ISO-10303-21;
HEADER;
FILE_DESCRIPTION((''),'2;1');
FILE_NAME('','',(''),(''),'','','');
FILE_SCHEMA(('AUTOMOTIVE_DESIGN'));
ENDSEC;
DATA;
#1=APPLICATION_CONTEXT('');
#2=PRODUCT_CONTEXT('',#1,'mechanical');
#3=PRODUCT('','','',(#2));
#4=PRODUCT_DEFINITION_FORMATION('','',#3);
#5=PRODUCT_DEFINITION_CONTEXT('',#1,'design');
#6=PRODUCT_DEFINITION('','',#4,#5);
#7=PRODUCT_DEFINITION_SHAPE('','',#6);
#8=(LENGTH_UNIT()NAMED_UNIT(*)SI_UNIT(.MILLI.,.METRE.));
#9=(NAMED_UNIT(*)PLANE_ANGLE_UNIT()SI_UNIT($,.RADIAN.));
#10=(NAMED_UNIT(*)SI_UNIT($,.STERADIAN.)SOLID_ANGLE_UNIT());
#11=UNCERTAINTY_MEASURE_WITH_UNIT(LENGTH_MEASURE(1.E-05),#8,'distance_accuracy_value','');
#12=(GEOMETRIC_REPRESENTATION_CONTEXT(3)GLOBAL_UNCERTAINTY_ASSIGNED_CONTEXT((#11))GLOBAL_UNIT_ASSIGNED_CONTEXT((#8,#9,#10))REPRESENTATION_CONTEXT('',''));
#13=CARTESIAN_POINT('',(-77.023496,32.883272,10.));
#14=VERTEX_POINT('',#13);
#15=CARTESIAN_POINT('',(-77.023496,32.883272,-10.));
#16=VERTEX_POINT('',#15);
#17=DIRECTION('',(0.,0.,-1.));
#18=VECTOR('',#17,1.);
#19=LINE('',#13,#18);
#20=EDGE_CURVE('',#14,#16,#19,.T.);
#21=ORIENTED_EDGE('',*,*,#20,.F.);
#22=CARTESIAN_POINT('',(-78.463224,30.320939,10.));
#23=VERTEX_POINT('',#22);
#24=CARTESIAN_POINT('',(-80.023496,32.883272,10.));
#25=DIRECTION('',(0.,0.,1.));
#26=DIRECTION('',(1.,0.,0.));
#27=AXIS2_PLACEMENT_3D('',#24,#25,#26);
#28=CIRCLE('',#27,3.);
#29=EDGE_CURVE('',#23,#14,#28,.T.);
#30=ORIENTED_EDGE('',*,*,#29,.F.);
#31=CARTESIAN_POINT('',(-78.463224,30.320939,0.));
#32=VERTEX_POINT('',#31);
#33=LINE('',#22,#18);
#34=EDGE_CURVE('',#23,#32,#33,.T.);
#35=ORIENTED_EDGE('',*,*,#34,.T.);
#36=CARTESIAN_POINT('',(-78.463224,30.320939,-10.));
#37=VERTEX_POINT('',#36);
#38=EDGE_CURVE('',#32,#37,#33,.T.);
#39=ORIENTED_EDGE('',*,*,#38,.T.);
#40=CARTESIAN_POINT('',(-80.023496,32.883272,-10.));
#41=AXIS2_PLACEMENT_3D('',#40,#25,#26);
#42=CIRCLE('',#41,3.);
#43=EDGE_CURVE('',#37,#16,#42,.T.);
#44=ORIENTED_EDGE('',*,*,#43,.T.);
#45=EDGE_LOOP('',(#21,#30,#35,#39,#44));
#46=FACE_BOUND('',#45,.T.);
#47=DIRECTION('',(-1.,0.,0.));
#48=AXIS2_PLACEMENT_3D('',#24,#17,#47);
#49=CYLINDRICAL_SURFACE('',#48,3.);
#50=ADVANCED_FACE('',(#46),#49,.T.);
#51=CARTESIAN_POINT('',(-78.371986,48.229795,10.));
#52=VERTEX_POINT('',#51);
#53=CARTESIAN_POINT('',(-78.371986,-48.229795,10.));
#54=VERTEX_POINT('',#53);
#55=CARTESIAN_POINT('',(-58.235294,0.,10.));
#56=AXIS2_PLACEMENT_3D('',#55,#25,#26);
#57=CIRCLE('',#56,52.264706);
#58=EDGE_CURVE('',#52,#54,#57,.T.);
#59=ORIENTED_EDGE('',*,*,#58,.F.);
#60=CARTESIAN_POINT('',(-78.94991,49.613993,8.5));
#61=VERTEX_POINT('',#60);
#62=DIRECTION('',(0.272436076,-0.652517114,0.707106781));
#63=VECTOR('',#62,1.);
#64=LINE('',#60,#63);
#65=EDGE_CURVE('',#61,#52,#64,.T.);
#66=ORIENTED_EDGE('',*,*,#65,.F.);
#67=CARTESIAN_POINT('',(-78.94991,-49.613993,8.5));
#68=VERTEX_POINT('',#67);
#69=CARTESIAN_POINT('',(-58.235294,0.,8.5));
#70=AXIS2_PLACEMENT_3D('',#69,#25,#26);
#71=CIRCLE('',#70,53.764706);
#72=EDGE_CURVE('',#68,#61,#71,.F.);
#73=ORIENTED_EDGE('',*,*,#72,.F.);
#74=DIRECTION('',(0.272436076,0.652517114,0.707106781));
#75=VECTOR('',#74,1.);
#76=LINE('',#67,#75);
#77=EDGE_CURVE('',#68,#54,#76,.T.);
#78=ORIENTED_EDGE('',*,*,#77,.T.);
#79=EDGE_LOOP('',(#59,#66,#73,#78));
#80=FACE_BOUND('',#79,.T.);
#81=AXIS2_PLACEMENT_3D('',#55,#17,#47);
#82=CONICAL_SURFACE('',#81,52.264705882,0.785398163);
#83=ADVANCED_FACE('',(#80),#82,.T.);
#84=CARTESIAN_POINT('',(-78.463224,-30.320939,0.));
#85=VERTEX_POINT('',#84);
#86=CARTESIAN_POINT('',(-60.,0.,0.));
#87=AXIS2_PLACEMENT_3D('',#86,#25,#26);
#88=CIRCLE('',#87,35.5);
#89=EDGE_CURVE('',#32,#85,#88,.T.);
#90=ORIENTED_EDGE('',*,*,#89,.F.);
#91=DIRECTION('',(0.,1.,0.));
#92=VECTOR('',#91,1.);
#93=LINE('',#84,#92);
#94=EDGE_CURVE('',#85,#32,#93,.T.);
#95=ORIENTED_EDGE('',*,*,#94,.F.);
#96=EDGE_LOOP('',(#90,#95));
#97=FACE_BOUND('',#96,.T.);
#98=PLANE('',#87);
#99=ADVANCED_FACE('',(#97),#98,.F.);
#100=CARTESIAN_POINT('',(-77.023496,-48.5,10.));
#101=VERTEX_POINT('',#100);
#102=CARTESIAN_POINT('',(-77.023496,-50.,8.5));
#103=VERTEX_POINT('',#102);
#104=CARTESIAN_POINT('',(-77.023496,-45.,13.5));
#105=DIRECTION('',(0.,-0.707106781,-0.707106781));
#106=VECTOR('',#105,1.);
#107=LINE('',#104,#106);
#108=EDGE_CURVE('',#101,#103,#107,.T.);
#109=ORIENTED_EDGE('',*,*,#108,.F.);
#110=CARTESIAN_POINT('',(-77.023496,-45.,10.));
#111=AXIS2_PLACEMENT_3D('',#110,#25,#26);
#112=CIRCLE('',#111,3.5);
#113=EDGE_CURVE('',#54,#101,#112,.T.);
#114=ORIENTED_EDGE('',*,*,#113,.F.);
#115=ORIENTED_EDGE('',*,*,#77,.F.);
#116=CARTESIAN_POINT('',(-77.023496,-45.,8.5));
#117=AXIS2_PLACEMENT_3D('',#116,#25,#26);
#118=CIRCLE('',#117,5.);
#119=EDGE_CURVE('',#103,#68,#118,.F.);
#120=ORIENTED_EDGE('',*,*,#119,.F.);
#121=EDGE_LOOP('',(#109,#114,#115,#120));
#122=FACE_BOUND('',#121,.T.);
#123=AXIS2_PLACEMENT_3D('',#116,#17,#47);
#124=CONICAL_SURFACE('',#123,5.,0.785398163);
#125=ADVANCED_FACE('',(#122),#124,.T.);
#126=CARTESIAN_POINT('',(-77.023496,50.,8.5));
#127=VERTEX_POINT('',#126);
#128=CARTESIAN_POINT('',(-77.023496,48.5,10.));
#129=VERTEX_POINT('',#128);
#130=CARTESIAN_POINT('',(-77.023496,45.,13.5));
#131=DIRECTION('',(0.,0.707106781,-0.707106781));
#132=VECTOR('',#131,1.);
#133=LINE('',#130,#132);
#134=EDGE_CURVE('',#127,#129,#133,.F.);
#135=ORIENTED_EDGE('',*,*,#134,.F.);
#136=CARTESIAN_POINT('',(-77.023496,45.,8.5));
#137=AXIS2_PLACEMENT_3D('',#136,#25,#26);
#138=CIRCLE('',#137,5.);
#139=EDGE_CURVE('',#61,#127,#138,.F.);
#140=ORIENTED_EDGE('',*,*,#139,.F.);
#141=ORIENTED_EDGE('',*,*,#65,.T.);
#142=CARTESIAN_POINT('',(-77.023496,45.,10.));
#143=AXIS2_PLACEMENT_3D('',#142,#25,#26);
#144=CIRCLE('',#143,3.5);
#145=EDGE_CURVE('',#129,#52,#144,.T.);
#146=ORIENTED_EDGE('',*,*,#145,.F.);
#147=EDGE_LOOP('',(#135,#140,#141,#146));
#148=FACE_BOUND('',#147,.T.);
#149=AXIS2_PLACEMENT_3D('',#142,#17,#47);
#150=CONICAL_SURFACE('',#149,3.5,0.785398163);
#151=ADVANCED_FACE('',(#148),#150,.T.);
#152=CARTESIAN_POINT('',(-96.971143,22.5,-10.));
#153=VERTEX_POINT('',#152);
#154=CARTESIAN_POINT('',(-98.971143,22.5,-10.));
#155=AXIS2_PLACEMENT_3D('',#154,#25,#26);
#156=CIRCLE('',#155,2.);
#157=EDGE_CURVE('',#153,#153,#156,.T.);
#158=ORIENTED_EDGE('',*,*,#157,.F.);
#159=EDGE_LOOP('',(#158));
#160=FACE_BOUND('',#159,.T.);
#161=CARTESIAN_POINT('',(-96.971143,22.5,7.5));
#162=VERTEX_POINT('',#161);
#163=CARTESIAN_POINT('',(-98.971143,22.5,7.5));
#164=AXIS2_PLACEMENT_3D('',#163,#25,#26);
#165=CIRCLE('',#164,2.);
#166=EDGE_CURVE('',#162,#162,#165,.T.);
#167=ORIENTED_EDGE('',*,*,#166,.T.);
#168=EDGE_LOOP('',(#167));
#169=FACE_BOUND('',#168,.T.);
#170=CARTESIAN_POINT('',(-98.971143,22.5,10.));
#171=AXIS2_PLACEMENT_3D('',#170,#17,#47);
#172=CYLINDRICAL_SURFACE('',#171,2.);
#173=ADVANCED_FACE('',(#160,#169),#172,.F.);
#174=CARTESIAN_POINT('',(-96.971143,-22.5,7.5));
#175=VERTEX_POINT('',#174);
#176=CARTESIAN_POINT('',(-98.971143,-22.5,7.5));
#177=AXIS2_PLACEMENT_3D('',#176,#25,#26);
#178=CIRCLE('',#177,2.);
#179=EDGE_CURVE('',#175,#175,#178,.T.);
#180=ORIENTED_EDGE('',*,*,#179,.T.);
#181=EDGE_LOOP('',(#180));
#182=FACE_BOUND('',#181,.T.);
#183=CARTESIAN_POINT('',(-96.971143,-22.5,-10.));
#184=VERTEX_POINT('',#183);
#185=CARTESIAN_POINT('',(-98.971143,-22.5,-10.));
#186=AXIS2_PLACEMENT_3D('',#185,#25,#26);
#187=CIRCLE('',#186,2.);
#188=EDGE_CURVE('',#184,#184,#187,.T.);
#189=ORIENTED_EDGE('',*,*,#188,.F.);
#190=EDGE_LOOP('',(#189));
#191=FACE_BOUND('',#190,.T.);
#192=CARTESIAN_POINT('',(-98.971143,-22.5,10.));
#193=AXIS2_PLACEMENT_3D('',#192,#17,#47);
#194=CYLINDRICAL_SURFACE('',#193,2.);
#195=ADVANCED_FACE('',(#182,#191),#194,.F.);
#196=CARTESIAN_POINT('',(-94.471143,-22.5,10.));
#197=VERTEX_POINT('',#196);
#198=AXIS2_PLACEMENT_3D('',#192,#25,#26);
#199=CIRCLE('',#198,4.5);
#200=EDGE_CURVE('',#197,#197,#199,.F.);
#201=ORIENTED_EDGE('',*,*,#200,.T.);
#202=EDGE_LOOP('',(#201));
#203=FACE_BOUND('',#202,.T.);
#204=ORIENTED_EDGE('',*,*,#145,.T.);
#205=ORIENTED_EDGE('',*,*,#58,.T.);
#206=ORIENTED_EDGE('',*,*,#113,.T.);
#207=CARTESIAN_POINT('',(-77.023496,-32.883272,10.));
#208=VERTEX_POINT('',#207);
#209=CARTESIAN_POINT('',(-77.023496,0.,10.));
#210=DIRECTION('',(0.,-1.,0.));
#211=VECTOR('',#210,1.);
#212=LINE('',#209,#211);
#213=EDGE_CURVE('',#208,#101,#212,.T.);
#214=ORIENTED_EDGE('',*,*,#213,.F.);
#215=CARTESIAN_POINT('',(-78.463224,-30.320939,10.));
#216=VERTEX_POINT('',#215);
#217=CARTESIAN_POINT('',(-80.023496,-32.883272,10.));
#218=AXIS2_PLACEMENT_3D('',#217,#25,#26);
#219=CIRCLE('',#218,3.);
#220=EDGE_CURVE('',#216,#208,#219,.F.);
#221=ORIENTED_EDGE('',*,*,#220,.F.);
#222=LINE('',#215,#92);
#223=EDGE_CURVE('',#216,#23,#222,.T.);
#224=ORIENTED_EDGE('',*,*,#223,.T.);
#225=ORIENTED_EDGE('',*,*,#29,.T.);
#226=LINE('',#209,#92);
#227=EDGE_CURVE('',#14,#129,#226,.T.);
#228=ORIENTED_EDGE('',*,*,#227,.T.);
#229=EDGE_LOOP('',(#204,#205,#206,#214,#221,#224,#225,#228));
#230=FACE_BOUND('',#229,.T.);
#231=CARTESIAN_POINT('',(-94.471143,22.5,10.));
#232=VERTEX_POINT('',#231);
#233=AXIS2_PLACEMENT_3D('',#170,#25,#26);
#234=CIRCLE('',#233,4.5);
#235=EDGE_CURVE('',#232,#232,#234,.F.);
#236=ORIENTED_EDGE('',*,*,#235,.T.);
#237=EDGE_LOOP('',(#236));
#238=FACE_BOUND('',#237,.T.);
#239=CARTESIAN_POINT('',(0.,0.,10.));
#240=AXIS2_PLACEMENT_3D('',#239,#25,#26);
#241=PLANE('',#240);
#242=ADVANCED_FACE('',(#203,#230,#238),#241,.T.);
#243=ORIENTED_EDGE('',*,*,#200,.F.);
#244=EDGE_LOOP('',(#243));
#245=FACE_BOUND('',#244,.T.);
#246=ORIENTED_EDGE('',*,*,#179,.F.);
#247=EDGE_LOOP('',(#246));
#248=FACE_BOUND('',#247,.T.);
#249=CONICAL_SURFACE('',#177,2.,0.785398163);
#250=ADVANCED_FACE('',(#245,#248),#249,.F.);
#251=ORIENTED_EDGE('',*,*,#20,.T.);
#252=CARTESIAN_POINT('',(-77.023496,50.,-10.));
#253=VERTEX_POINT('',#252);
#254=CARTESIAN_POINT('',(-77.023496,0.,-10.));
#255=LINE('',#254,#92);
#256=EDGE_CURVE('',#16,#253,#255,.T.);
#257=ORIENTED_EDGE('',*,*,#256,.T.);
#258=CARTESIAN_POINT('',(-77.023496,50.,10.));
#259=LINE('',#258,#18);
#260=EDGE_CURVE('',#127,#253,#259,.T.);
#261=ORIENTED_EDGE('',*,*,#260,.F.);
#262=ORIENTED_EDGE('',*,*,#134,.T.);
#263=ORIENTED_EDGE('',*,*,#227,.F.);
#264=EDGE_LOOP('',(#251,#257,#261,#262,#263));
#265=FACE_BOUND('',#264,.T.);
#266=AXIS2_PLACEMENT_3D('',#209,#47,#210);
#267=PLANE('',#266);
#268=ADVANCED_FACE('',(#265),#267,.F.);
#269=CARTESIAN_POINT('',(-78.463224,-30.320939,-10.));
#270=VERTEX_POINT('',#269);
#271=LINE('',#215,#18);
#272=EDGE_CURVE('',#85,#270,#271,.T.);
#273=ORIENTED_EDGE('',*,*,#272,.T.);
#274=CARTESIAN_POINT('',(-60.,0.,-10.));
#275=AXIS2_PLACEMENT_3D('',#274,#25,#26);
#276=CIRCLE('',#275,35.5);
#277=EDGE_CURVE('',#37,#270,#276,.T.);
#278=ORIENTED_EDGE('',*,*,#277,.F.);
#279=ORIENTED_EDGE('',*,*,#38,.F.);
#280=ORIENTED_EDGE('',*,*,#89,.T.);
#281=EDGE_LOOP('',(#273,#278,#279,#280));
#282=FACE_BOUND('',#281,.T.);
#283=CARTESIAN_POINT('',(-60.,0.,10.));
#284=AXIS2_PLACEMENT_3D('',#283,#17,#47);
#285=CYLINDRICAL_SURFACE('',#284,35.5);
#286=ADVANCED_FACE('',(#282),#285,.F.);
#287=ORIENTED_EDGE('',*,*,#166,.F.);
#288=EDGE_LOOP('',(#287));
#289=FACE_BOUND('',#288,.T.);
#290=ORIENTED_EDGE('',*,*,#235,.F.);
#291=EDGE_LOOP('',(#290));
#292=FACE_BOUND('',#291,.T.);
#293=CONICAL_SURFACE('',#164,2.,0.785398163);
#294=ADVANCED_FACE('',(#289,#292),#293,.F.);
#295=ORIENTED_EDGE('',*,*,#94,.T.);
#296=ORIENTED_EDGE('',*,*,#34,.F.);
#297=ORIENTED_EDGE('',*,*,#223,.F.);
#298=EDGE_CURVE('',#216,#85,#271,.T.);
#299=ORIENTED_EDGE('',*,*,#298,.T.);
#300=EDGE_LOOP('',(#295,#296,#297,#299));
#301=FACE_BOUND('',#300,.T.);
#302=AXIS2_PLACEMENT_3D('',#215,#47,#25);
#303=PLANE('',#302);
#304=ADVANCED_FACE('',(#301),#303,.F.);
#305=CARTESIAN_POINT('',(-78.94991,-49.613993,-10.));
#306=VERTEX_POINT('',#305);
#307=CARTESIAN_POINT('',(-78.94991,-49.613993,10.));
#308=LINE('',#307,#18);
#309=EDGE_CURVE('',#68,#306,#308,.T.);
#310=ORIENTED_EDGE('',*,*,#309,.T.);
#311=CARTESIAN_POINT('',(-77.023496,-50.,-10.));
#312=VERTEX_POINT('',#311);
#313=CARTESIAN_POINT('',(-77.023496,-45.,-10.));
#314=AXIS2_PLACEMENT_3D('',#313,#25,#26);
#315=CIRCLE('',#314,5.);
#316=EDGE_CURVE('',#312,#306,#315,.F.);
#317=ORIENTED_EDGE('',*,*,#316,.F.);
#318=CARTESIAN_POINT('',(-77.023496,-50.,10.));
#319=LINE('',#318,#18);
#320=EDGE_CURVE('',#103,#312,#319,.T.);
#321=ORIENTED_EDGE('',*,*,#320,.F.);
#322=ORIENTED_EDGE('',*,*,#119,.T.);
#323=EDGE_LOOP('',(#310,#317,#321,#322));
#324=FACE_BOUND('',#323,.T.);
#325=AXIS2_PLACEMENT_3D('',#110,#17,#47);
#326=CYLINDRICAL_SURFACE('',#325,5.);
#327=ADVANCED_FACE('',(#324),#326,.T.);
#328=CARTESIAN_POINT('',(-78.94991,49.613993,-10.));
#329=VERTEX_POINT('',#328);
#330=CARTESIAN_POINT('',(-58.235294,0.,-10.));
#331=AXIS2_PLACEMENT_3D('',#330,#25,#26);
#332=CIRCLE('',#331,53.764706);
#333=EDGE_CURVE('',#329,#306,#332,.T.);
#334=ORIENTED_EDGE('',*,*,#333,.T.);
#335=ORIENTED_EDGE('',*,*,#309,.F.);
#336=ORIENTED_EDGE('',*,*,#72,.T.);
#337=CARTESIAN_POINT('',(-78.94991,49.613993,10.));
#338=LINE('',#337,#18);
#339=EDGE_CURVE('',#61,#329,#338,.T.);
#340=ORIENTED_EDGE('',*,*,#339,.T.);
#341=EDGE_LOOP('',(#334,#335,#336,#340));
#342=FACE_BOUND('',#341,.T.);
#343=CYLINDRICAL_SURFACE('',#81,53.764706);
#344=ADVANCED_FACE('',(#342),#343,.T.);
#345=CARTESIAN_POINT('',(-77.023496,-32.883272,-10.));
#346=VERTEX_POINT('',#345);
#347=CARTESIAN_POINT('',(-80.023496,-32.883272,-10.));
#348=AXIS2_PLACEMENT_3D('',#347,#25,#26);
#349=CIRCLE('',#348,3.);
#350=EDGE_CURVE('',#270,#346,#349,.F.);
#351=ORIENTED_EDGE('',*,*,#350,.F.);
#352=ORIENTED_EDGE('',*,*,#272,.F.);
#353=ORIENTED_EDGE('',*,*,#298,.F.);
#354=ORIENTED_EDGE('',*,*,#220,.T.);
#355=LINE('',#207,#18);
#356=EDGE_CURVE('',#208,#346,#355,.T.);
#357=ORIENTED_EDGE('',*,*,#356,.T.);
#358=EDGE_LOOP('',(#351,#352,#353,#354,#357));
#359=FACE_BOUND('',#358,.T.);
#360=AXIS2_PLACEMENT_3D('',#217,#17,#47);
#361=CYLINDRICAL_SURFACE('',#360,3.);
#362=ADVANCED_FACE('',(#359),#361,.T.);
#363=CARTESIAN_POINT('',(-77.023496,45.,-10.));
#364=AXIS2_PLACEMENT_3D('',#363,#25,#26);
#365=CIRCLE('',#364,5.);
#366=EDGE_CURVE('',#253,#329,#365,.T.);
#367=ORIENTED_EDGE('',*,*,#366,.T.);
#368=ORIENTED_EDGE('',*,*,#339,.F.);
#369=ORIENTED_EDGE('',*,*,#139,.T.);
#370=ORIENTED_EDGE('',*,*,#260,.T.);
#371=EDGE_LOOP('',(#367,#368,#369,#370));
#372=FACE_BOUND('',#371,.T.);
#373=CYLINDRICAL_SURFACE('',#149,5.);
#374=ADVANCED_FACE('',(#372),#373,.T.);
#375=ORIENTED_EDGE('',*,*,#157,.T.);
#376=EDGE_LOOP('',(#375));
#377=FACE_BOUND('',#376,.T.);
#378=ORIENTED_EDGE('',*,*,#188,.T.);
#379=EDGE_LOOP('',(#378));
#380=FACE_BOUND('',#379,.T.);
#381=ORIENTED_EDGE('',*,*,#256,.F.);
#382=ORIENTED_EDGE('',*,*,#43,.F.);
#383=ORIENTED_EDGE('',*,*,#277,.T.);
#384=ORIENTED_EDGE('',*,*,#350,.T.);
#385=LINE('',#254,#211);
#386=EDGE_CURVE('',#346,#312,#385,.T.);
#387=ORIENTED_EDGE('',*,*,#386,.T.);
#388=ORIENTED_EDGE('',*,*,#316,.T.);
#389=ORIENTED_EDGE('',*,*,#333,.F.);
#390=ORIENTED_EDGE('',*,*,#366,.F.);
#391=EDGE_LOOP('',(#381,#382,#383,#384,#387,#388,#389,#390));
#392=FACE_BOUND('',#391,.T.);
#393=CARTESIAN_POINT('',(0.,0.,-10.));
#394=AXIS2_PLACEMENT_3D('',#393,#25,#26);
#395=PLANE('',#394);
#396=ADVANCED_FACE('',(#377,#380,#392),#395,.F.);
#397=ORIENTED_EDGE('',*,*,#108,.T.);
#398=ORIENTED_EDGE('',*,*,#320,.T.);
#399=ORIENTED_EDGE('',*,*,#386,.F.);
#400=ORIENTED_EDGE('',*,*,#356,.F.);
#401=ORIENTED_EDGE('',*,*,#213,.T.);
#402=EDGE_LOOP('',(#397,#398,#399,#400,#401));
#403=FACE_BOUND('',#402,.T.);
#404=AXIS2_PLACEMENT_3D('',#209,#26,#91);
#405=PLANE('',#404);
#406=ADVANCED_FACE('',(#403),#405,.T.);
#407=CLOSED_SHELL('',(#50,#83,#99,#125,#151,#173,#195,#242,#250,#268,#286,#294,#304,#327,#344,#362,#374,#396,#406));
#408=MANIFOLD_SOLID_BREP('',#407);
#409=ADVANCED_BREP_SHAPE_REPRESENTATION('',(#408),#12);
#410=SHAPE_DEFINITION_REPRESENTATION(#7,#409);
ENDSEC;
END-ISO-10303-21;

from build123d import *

# Parameters (mm, degrees)
SKETCH_1_R      = 2
EXTRUDE_1_DEPTH = 10
CHAMFER_1_SIZE  = 2.5
CHAMFER_2_SIZE  = 1.5
EXTRUDE_START   = 10
EXTRUDE_2_DEPTH = 10


with BuildPart() as part:
    # 草图1 → 凸台-拉伸1 (new, symmetric)
    with BuildSketch(Plane.XY):
        with BuildLine():
            Line((-77.023496261, 32.883272305), (-77.023496261, 50))
            ThreePointArc((-77.023496261, 50), (-78.005849606, 49.902548511), (-78.949910233, 49.613992762))
            ThreePointArc((-78.949910233, 49.613992762), (-112, 0), (-78.949910233, -49.613992762))
            ThreePointArc((-78.949910233, -49.613992762), (-78.005849606, -49.902548511), (-77.023496261, -50))
            Line((-77.023496261, -50), (-77.023496261, -32.883272305))
            ThreePointArc((-77.023496261, -32.883272305), (-77.40807877, -31.413717493), (-78.463223825, -30.320939398))
            ThreePointArc((-78.463223825, -30.320939398), (-95.5, 0), (-78.463223825, 30.320939398))
            ThreePointArc((-78.463223825, 30.320939398), (-77.40807877, 31.413717493), (-77.023496261, 32.883272305))
        make_face()
        with Locations((-98.97114317, 22.5)):
            Circle(SKETCH_1_R, mode=Mode.SUBTRACT)
        with Locations((-98.97114317, -22.5)):
            Circle(SKETCH_1_R, mode=Mode.SUBTRACT)
    extrude(amount=EXTRUDE_1_DEPTH, both=True)

    # 倒角1
    chamfer_1_edges = [part.edges().sort_by_distance(p)[0] for p in [
        (-100.97114317, 22.5, 10),
        (-100.97114317, -22.5, 10),
    ]]
    chamfer(chamfer_1_edges, length=CHAMFER_1_SIZE)

    # 倒角2
    chamfer_2_edges = [part.edges().sort_by_distance(p)[0] for p in [
        (-78.005849606, 49.902548511, 10),
        (-112, 0, 10),
        (-78.005849606, -49.902548511, 10),
    ]]
    chamfer(chamfer_2_edges, length=CHAMFER_2_SIZE)

    # 草图4 → 凸台-拉伸2 (add)
    with BuildSketch(Plane.XY.offset(EXTRUDE_START)):
        with BuildLine():
            Line((-78.463223825, -30.320939398), (-78.463223825, 30.320939398))
            ThreePointArc((-78.463223825, 30.320939398), (-95.5, 0), (-78.463223825, -30.320939398))
        make_face()
    extrude(amount=-EXTRUDE_2_DEPTH)


solid = part.part
